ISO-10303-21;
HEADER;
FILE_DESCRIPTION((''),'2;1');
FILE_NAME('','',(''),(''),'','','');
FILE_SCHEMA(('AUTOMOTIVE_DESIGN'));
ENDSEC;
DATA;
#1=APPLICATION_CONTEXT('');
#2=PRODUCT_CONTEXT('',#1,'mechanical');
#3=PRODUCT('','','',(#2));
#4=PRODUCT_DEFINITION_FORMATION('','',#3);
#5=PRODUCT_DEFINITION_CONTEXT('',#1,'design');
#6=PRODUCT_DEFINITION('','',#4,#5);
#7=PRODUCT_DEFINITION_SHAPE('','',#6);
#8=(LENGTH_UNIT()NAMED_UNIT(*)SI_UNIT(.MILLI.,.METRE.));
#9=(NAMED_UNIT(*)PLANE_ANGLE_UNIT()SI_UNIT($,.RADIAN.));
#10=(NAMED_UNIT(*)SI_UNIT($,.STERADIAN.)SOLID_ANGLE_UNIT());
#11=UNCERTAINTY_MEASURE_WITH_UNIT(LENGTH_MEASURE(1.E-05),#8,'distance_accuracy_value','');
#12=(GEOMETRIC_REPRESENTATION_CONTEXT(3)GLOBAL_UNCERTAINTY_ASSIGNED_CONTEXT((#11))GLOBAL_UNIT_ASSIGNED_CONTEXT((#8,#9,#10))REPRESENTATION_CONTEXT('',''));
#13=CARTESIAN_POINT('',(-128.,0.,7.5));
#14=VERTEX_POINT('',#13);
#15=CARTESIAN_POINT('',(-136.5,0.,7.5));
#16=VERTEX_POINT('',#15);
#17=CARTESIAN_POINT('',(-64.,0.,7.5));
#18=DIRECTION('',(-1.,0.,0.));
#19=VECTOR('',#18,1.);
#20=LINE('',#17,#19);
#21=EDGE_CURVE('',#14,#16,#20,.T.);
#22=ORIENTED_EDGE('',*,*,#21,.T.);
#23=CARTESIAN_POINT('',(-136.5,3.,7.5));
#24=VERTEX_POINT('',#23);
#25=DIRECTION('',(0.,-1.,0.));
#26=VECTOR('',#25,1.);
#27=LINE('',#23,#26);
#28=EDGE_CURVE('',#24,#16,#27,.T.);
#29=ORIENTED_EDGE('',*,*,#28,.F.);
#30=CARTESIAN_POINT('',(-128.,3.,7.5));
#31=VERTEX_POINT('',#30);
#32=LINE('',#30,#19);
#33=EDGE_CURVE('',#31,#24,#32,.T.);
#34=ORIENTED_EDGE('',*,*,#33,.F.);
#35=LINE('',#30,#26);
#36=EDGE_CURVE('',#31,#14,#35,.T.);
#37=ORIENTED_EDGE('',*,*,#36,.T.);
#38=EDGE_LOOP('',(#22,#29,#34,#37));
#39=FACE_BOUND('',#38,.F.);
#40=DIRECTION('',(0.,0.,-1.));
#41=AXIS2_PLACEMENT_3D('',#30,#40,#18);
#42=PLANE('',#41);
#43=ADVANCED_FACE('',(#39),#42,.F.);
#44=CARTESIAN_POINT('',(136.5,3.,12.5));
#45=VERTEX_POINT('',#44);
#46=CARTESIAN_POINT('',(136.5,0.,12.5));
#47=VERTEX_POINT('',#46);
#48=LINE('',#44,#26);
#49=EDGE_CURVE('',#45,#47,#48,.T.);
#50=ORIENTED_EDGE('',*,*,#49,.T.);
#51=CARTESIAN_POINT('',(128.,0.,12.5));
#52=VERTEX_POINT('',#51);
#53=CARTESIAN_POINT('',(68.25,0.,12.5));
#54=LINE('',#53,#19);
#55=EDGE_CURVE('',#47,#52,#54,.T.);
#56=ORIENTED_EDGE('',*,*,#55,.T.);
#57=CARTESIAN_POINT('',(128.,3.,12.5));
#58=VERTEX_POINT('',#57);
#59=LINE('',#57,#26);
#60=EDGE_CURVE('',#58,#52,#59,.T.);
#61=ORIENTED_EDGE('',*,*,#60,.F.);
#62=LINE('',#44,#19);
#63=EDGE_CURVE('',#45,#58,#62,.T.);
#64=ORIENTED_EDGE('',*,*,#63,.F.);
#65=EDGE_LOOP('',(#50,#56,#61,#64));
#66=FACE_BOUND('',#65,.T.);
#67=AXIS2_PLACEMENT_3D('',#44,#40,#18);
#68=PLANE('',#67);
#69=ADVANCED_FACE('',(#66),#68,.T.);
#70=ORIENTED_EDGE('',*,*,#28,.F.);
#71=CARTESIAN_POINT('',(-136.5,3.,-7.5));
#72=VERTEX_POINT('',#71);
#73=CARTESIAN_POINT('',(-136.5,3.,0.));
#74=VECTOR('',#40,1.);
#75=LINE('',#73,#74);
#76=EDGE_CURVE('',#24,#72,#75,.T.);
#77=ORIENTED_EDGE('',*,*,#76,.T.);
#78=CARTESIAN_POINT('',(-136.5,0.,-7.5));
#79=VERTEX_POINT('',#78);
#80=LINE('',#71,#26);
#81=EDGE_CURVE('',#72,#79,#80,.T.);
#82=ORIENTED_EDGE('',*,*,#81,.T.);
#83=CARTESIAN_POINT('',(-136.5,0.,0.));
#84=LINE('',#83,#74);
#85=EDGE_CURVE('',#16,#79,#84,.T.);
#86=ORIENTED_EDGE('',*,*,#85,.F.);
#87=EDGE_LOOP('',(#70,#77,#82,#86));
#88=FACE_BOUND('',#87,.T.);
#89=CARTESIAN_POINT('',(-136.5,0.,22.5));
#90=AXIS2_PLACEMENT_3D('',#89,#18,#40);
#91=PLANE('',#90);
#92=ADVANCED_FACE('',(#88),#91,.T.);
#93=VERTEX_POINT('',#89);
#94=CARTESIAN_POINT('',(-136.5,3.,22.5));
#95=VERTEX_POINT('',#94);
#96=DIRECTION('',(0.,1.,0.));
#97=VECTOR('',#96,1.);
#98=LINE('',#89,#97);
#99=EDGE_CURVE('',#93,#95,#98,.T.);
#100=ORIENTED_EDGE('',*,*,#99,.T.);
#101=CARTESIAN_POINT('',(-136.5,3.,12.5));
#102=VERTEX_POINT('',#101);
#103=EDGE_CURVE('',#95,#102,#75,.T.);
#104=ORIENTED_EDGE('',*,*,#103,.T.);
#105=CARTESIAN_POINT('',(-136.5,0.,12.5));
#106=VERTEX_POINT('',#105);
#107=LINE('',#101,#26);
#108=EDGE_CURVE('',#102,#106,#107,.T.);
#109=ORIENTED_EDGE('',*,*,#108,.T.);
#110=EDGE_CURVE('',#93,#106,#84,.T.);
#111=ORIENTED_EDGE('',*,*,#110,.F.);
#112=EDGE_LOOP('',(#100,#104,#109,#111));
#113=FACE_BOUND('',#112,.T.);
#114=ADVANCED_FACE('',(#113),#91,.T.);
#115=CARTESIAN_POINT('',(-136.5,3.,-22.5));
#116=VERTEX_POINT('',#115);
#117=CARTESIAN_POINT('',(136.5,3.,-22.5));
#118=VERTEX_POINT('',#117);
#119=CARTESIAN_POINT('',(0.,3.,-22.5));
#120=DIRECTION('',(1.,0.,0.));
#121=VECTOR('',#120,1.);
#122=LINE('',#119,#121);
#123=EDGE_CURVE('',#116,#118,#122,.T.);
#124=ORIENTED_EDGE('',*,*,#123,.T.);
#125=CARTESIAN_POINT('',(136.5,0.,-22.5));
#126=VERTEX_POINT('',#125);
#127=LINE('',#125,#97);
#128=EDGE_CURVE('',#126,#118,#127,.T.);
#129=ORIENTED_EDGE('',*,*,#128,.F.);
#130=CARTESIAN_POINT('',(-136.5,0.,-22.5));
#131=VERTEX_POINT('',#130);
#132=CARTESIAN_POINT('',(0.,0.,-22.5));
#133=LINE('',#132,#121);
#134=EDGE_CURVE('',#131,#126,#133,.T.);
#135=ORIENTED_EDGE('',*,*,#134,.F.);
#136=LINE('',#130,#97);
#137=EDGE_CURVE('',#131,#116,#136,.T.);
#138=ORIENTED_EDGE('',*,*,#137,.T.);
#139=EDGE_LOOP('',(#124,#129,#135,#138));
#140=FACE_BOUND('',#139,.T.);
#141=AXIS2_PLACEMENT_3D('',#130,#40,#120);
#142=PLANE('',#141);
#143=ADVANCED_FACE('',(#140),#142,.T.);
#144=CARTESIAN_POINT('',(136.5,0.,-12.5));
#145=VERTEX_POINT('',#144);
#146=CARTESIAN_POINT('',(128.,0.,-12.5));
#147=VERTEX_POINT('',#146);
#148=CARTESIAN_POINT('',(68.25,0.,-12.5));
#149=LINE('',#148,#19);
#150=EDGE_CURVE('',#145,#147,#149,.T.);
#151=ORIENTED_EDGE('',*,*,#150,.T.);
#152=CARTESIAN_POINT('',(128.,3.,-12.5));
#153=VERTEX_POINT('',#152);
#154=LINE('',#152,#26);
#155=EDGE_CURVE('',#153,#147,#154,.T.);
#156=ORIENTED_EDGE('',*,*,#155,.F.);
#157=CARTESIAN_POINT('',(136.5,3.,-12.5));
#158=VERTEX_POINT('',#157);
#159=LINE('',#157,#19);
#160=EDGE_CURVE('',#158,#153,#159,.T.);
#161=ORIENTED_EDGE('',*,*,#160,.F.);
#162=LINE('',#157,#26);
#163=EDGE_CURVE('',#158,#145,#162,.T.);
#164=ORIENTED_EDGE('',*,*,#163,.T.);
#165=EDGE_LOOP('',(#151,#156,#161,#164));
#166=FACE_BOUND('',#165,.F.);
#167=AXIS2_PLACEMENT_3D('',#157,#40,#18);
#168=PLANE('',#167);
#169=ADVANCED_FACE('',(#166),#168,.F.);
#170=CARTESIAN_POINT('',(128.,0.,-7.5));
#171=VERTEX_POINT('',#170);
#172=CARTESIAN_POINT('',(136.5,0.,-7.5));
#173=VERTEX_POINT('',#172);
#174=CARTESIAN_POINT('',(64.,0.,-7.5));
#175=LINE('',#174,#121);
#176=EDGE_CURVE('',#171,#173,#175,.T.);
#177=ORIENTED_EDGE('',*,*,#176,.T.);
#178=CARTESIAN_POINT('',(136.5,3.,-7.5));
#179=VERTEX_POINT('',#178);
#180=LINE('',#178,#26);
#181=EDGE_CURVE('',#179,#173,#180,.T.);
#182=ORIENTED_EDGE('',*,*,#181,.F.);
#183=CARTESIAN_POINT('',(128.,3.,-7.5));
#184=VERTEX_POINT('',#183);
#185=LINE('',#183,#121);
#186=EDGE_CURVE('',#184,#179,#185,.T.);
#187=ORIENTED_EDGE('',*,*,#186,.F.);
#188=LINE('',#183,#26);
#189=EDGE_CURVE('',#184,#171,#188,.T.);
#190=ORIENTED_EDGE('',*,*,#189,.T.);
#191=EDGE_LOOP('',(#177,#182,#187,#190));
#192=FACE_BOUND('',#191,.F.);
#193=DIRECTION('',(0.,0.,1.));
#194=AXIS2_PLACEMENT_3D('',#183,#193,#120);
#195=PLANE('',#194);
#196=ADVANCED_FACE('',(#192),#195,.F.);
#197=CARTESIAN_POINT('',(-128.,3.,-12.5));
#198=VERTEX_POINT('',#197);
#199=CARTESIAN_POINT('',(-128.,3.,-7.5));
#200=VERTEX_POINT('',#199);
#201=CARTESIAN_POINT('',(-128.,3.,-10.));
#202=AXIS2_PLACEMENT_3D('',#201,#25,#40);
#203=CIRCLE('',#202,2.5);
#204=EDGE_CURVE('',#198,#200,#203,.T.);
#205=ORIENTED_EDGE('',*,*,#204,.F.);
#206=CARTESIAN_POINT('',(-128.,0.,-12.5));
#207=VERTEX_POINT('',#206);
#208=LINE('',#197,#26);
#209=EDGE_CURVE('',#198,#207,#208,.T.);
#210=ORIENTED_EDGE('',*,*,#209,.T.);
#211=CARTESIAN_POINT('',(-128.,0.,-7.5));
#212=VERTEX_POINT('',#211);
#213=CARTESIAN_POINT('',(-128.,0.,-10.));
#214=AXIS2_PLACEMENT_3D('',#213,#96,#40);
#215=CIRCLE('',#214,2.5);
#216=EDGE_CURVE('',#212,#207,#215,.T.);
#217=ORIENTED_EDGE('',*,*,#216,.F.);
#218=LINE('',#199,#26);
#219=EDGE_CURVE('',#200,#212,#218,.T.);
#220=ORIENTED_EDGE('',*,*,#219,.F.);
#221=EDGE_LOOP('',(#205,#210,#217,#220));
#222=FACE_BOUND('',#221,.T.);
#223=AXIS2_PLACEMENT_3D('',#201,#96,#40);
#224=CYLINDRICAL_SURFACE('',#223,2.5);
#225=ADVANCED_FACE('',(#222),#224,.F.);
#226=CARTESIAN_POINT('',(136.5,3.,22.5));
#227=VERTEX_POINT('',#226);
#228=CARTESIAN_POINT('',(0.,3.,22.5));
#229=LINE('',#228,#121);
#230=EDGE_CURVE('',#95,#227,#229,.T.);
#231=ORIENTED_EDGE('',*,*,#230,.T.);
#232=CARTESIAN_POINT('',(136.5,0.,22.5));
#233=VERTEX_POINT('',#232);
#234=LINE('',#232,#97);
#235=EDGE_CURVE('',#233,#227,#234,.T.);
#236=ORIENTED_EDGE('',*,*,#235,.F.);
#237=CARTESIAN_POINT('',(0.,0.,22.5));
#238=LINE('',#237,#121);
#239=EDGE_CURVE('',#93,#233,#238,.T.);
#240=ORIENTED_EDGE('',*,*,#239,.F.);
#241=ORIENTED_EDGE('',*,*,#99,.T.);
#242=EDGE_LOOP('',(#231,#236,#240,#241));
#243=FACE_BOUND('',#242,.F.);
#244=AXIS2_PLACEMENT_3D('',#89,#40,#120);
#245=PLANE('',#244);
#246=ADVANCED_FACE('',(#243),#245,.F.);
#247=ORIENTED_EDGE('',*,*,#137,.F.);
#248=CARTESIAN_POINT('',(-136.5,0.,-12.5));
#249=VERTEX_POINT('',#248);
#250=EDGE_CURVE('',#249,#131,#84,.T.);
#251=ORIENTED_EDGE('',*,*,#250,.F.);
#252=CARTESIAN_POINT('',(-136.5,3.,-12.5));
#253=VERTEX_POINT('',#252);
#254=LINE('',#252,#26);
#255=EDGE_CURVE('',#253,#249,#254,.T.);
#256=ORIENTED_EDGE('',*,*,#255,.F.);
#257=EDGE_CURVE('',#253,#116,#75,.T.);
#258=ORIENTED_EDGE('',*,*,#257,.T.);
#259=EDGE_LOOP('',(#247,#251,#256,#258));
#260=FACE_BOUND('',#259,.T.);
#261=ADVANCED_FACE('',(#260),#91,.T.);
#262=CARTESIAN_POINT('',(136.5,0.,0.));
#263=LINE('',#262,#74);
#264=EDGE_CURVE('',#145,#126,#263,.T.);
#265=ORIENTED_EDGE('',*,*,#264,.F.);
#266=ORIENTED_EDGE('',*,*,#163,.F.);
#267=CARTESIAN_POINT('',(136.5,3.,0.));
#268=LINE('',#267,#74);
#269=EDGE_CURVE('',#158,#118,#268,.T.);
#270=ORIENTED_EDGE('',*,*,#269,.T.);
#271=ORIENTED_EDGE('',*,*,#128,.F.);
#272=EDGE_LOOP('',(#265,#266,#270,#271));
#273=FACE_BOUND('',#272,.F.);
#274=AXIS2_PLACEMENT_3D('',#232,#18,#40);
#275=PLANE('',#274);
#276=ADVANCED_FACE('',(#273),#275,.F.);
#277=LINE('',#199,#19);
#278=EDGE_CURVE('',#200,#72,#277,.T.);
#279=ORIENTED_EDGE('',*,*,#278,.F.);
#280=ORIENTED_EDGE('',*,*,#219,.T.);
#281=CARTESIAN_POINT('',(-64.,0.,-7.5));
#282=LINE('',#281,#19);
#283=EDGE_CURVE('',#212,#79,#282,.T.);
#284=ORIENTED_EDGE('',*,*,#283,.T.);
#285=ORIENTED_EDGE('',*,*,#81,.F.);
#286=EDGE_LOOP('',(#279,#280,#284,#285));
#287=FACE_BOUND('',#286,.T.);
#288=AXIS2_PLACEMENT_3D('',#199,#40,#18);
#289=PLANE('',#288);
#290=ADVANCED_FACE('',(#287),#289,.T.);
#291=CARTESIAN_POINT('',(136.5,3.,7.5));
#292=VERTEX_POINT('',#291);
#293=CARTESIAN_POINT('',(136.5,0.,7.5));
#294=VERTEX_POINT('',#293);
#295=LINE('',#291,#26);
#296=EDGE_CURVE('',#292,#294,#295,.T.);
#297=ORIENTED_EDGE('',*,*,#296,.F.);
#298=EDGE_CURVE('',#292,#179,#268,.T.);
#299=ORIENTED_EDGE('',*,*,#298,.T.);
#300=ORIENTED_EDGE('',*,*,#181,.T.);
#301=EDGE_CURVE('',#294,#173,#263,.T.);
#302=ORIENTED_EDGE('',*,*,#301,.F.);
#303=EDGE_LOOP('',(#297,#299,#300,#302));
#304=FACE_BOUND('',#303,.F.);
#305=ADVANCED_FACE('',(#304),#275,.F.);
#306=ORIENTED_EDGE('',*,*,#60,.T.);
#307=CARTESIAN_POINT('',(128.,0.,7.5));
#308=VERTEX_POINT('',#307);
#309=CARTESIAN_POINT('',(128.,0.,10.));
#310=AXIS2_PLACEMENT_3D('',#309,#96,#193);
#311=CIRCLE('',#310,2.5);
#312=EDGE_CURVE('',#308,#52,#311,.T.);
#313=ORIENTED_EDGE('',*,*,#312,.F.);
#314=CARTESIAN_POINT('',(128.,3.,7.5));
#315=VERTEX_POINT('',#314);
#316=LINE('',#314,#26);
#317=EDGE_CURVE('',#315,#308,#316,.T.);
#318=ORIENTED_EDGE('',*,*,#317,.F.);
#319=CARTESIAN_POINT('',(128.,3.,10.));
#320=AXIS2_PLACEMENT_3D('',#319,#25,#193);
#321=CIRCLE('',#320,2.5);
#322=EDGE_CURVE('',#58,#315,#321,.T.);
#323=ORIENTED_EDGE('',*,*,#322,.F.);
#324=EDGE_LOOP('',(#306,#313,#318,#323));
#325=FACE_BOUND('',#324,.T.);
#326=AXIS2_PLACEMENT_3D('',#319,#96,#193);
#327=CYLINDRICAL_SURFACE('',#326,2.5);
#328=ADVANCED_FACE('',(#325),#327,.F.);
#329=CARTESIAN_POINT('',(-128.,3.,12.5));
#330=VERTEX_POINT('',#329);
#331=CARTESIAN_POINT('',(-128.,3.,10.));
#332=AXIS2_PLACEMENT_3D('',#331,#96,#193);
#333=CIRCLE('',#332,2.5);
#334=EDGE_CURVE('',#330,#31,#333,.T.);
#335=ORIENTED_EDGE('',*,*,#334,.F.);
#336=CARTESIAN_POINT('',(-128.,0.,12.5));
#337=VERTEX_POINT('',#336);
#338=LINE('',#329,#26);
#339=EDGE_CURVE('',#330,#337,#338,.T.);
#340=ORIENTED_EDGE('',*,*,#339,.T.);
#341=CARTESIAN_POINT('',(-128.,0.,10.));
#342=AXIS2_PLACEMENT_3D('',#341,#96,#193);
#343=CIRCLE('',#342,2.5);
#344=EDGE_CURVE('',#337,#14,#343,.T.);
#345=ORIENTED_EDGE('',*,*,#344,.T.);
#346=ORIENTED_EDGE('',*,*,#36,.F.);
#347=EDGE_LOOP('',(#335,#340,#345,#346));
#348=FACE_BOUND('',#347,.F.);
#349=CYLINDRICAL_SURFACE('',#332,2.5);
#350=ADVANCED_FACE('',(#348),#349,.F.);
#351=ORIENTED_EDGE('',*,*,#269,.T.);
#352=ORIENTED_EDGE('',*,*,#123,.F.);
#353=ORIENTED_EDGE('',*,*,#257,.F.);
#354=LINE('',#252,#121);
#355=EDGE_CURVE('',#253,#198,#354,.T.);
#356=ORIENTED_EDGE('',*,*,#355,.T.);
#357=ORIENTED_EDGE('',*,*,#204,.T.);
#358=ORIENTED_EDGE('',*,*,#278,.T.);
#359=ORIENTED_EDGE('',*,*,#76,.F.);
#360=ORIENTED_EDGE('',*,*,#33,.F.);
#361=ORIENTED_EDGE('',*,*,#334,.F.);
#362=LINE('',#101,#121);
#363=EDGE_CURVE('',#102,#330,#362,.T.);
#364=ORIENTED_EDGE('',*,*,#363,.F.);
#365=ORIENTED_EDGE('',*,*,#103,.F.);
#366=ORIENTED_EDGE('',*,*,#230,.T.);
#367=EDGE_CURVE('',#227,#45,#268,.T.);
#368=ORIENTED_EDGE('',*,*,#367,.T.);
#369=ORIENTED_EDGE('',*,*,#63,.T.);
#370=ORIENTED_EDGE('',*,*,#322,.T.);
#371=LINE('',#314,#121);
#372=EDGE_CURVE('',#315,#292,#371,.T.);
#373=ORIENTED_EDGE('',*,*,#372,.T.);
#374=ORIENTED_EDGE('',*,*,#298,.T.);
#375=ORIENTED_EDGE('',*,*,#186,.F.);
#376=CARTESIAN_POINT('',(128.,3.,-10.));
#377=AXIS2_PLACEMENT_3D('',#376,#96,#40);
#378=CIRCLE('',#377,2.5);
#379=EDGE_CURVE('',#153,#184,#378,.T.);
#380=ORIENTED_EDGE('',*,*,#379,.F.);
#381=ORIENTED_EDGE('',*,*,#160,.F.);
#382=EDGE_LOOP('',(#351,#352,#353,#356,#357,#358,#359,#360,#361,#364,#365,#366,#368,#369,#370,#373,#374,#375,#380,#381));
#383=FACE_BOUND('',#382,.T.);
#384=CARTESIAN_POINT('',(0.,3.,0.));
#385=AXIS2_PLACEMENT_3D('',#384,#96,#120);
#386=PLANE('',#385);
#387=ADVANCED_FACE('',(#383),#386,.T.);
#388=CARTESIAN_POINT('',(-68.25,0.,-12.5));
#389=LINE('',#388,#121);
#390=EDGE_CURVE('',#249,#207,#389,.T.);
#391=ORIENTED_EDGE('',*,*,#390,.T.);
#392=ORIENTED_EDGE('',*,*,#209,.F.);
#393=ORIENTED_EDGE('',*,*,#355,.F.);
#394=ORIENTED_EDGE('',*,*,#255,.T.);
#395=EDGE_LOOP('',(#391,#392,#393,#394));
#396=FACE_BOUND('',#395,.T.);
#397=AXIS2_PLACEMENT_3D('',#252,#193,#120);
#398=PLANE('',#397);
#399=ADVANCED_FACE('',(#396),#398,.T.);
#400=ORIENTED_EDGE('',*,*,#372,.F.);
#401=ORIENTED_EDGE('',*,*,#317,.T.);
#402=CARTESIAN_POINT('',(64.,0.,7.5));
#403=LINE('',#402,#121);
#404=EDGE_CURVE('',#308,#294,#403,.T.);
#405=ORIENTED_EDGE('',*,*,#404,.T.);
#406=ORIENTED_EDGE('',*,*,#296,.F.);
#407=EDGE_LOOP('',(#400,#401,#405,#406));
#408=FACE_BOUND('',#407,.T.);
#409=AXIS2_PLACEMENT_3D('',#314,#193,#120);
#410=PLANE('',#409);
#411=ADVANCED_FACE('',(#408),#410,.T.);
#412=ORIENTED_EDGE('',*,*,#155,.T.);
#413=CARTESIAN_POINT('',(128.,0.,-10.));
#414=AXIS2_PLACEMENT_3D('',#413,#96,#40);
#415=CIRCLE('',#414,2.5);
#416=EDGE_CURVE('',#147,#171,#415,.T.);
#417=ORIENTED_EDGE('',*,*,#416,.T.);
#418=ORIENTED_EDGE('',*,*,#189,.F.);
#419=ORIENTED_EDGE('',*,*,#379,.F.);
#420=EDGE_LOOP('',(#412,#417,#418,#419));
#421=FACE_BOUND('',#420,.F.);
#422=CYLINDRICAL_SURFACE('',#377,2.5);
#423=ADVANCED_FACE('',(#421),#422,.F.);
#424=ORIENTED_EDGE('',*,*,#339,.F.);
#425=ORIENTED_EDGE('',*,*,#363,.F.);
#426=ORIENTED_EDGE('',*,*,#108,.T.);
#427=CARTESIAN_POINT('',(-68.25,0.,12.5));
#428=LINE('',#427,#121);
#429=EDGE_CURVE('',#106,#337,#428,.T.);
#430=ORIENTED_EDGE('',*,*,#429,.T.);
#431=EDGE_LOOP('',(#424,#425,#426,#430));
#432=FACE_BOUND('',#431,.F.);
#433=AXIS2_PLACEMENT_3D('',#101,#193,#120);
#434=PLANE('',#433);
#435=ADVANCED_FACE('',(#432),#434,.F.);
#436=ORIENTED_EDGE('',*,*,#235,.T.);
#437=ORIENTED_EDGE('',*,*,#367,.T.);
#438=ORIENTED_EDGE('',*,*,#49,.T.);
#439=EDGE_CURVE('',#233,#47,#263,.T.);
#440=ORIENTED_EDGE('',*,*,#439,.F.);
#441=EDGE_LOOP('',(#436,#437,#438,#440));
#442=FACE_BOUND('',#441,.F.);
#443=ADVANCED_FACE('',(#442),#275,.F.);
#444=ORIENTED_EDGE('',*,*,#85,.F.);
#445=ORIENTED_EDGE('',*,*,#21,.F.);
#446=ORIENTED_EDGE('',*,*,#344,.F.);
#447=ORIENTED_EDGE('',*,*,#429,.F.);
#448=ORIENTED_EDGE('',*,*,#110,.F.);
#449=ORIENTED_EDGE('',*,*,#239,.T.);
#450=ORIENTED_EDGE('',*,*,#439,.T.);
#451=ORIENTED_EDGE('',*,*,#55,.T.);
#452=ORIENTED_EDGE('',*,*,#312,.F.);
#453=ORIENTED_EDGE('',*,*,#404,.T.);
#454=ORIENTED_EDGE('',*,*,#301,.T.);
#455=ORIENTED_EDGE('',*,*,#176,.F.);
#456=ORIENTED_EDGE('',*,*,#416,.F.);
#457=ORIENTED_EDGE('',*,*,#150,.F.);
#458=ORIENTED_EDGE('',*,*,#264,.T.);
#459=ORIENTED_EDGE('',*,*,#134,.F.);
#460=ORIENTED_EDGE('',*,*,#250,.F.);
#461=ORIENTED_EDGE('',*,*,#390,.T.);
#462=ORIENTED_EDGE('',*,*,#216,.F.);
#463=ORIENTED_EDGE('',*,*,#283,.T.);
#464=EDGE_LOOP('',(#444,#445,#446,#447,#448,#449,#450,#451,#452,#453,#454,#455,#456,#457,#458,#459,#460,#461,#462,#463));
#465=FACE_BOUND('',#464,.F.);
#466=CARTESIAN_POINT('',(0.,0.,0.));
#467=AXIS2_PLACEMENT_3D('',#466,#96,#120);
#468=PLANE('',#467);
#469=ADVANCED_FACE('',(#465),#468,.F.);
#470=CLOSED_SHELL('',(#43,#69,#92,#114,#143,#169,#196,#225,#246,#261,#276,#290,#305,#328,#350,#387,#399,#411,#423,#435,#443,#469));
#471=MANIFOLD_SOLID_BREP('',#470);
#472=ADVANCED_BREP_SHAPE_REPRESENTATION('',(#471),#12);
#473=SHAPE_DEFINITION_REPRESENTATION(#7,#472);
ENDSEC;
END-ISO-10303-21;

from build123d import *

# Parameters (mm, degrees)
SKETCH2_W           = 273
SKETCH2_H           = 45
BOSS_EXTRUDE1_DEPTH = 3
CUT_EXTRUDE1_DEPTH  = 4


with BuildPart() as part:
    # Sketch2 → Boss-Extrude1 (new body)
    with BuildSketch(Plane(origin=(0, 0, 0), x_dir=(1, 0, 0), z_dir=(0, 1, 0))):
        Rectangle(SKETCH2_W, SKETCH2_H)
    extrude(amount=BOSS_EXTRUDE1_DEPTH)

    # Sketch3 → Cut-Extrude1 (cut, through all)
    with BuildSketch(Plane(origin=(0, 3, 0), x_dir=(1, 0, 0), z_dir=(0, 1, 0))):
        with BuildLine():
            Line((-136.5, 12.5), (-128, 12.5))
            ThreePointArc((-128, 12.5), (-125.5, 10), (-128, 7.5))
            Line((-128, 7.5), (-136.5, 7.5))
            ThreePointArc((-136.5, 7.5), (-139, 10), (-136.5, 12.5))
        make_face()
        with BuildLine():
            Line((-136.5, -12.5), (-128, -12.5))
            ThreePointArc((-128, -12.5), (-125.5, -10), (-128, -7.5))
            Line((-128, -7.5), (-136.5, -7.5))
            ThreePointArc((-136.5, -7.5), (-139, -10), (-136.5, -12.5))
        make_face()
        with BuildLine():
            Line((136.5, 12.5), (128, 12.5))
            ThreePointArc((128, 12.5), (125.5, 10), (128, 7.5))
            Line((128, 7.5), (136.5, 7.5))
            ThreePointArc((136.5, 7.5), (139, 10), (136.5, 12.5))
        make_face()
        with BuildLine():
            Line((136.5, -12.5), (128, -12.5))
            ThreePointArc((128, -12.5), (125.5, -10), (128, -7.5))
            Line((128, -7.5), (136.5, -7.5))
            ThreePointArc((136.5, -7.5), (139, -10), (136.5, -12.5))
        make_face()
    extrude(amount=-CUT_EXTRUDE1_DEPTH, mode=Mode.SUBTRACT)


solid = part.part
